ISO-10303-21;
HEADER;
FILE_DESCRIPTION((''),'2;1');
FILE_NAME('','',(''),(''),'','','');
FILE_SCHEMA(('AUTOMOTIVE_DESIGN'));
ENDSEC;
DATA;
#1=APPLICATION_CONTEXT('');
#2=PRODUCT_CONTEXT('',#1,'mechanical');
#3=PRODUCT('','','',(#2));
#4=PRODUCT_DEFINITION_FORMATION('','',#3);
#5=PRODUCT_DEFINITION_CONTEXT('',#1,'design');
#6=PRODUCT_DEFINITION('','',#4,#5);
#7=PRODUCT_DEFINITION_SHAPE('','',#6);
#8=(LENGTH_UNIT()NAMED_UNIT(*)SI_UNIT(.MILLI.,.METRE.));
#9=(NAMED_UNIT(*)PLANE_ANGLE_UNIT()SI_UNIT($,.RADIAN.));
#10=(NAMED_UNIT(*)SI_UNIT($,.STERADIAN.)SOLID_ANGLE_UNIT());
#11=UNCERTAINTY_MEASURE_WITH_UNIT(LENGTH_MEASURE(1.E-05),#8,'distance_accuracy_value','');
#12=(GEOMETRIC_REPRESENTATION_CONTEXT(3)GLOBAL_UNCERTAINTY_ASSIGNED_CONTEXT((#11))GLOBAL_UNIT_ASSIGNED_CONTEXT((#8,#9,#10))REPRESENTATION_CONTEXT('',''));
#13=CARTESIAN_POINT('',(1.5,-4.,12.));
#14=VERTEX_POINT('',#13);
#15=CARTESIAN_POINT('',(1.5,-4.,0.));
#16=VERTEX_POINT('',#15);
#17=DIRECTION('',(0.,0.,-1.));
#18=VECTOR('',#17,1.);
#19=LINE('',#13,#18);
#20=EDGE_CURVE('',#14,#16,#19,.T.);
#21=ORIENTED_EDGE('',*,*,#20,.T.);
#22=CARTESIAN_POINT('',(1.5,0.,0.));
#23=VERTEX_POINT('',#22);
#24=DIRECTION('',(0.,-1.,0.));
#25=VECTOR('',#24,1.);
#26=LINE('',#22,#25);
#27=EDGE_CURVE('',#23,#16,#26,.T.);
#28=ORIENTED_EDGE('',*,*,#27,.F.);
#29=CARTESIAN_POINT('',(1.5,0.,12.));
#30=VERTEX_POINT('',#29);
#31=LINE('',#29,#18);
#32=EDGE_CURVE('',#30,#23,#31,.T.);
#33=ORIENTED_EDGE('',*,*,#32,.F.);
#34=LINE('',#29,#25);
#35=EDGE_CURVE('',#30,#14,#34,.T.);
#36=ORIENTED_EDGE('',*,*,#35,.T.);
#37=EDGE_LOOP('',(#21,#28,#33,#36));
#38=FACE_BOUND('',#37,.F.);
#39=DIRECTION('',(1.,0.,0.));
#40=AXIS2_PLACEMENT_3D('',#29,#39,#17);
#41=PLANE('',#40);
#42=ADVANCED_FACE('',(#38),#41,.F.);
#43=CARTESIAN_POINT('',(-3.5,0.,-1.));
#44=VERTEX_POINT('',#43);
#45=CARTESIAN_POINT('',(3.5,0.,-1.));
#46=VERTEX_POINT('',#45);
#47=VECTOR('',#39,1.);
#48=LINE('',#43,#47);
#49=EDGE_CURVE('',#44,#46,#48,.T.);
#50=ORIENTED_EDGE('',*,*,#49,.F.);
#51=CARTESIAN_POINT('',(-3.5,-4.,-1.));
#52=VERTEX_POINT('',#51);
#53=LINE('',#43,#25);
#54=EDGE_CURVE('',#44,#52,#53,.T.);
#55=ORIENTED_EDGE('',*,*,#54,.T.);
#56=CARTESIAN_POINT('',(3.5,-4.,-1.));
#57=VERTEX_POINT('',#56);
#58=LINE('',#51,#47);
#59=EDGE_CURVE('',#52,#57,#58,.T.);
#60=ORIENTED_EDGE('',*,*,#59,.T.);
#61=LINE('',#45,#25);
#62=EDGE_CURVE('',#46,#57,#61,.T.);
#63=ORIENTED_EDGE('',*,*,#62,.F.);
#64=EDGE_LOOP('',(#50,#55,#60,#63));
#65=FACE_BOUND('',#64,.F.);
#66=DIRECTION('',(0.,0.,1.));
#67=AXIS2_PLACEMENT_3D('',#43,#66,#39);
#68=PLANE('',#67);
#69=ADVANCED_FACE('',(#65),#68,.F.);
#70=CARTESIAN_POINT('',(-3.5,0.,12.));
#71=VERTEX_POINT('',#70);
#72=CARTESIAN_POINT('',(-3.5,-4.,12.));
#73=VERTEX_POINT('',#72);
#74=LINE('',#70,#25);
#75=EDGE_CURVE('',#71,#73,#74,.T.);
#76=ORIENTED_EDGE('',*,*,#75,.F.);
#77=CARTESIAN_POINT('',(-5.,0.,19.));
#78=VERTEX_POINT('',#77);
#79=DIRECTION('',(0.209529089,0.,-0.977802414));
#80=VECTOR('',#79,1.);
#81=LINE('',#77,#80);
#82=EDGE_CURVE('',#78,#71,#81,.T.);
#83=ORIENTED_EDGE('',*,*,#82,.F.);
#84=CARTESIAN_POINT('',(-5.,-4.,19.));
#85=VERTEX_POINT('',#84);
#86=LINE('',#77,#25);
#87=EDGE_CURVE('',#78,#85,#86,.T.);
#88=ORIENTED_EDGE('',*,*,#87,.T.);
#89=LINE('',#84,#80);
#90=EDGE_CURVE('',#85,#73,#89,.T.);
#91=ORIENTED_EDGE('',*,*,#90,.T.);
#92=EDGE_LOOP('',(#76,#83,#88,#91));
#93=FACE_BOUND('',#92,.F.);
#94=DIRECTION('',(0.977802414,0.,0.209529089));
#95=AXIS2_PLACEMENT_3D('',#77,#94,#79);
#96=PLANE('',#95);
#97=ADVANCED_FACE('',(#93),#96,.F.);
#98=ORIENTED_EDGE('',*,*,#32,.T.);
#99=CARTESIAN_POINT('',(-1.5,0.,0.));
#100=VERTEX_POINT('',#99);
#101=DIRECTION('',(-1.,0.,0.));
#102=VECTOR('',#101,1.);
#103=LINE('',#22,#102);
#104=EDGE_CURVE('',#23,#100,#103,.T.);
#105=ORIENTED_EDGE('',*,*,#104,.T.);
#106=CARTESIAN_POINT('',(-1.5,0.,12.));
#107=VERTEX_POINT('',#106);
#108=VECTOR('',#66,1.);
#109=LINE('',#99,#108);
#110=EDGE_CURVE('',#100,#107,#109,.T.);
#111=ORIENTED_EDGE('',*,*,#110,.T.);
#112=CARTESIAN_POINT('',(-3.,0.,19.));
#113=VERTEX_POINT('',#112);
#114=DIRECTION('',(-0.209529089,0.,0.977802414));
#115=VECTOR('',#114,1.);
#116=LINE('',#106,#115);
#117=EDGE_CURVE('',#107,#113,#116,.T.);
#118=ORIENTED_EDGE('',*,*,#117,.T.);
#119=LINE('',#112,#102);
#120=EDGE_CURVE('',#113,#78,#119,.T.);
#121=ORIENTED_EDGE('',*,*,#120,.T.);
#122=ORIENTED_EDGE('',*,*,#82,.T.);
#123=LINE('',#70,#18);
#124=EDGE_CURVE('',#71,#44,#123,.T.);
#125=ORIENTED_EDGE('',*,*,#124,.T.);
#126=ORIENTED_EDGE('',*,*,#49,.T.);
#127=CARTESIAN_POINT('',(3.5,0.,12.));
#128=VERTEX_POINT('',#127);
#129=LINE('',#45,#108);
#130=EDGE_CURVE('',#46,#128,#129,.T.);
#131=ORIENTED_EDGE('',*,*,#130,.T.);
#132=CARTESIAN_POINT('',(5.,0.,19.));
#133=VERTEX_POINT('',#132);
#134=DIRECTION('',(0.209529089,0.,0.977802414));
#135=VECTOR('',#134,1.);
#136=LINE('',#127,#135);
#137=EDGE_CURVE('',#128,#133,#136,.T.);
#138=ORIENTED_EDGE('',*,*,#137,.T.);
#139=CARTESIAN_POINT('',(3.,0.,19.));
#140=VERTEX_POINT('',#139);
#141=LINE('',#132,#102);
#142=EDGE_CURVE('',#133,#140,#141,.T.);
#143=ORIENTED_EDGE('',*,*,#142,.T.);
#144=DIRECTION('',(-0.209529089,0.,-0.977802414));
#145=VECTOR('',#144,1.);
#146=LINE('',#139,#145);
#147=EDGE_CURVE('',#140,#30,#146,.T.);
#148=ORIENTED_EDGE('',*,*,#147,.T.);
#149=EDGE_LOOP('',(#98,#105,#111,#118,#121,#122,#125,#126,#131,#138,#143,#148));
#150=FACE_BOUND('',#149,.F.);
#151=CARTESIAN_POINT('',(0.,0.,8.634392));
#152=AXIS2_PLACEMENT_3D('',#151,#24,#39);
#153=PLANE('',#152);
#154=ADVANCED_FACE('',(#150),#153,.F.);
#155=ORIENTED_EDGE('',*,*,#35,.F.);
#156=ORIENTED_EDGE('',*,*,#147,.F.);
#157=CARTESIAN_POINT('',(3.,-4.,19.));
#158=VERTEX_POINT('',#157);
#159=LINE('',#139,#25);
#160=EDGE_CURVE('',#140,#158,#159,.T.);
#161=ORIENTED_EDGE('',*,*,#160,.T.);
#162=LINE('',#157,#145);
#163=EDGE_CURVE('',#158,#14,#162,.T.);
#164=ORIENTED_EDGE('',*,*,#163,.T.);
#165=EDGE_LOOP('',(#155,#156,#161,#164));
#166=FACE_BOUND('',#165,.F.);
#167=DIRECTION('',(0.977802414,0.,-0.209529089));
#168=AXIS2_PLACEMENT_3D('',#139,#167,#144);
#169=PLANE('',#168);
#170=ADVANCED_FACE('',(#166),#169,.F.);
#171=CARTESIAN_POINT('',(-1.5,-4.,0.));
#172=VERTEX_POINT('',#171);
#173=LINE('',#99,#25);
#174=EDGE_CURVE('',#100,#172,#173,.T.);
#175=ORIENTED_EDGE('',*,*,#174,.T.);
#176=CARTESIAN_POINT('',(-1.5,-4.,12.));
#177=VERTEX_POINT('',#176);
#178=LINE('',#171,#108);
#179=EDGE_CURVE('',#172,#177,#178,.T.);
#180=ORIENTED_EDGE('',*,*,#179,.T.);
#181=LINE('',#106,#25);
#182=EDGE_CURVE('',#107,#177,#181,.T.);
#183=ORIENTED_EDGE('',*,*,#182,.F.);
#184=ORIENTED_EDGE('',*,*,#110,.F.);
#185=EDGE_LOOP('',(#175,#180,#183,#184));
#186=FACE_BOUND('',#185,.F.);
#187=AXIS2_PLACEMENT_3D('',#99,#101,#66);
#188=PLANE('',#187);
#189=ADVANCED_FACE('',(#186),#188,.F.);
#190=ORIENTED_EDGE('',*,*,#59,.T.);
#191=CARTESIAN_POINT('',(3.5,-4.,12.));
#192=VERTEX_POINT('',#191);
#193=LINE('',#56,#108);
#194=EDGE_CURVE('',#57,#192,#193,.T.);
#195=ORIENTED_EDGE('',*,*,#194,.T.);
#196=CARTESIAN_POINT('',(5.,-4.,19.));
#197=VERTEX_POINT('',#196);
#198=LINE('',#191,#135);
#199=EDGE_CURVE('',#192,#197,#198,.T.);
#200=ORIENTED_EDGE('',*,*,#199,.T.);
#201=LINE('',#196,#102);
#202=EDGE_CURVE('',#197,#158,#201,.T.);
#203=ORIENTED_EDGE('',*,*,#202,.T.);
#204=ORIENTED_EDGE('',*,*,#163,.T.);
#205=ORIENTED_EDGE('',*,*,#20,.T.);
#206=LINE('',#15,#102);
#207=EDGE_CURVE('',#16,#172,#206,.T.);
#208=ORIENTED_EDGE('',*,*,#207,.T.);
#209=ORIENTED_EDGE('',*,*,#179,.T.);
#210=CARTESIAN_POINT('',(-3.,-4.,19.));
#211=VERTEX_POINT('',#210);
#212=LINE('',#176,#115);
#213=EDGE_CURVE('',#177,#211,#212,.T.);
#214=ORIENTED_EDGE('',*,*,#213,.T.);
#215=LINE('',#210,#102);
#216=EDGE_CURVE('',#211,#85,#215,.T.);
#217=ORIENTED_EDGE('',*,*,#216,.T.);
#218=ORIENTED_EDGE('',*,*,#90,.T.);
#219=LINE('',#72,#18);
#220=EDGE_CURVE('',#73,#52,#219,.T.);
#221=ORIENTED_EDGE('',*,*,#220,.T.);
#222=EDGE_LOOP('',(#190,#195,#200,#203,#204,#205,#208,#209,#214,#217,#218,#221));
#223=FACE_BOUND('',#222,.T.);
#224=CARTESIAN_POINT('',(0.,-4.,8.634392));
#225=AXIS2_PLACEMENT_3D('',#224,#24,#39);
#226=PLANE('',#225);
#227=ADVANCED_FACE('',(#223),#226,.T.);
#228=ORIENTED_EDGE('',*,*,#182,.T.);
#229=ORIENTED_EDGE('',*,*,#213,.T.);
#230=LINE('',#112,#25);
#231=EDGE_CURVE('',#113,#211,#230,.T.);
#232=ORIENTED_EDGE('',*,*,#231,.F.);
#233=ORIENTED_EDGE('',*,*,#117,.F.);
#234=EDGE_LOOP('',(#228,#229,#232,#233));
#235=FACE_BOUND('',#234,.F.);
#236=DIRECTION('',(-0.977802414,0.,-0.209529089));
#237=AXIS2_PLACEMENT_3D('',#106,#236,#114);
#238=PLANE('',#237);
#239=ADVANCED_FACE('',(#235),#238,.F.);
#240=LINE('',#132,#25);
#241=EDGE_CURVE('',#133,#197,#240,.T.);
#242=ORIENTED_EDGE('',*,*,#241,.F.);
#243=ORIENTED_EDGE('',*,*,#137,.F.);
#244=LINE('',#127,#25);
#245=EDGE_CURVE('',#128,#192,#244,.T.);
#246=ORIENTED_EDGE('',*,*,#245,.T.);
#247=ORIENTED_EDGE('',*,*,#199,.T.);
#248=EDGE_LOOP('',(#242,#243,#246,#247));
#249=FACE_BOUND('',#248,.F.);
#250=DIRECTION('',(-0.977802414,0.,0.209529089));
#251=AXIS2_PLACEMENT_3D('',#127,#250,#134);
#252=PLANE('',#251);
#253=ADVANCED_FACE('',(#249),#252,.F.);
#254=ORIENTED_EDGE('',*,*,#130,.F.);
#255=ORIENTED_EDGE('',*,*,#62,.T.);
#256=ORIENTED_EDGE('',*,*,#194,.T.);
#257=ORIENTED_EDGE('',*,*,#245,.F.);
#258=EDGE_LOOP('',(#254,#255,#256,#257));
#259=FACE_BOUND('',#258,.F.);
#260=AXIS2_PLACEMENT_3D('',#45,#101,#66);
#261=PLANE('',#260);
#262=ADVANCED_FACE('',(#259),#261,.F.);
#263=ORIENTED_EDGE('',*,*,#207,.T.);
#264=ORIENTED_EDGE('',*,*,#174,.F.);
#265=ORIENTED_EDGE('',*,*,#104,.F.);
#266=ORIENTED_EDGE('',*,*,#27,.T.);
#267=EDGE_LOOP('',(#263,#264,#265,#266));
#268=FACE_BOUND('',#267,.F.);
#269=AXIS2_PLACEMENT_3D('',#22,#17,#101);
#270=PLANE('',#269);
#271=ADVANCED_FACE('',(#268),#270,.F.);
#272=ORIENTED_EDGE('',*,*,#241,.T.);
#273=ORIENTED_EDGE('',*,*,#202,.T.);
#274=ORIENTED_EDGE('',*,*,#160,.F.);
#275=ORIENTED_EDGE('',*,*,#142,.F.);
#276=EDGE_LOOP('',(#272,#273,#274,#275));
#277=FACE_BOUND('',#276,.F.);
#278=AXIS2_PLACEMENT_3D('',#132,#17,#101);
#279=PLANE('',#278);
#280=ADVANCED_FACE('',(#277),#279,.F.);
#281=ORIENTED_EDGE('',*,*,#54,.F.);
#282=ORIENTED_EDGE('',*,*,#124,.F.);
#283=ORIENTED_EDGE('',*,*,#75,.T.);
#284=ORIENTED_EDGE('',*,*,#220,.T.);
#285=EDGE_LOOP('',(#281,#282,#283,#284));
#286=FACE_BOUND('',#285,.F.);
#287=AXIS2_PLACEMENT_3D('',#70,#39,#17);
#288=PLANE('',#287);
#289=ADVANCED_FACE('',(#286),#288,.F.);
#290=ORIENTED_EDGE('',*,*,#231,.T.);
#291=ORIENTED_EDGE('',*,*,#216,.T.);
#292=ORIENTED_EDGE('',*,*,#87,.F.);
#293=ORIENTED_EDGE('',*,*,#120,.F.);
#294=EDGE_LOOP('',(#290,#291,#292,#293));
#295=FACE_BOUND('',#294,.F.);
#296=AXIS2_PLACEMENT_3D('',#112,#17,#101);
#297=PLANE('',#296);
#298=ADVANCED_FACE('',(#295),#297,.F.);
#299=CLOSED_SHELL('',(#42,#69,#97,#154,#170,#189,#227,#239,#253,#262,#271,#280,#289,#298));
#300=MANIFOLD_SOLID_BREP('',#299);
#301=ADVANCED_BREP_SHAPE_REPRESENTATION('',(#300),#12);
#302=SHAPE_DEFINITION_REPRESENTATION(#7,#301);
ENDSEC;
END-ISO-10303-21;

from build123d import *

# Parameters (mm, degrees)
PAD_DEPTH = 4


with BuildPart() as part:
    # Sketch → Pad (new body)
    with BuildSketch(Plane.XZ):
        Polygon((3, 19), (1.5, 12), (1.5, 0), (-1.5, 0), (-1.5, 12), (-3, 19), (-5, 19), (-3.5, 12), (-3.5, -1), (3.5, -1), (3.5, 12), (5, 19), align=None)
    extrude(amount=PAD_DEPTH)


solid = part.part
